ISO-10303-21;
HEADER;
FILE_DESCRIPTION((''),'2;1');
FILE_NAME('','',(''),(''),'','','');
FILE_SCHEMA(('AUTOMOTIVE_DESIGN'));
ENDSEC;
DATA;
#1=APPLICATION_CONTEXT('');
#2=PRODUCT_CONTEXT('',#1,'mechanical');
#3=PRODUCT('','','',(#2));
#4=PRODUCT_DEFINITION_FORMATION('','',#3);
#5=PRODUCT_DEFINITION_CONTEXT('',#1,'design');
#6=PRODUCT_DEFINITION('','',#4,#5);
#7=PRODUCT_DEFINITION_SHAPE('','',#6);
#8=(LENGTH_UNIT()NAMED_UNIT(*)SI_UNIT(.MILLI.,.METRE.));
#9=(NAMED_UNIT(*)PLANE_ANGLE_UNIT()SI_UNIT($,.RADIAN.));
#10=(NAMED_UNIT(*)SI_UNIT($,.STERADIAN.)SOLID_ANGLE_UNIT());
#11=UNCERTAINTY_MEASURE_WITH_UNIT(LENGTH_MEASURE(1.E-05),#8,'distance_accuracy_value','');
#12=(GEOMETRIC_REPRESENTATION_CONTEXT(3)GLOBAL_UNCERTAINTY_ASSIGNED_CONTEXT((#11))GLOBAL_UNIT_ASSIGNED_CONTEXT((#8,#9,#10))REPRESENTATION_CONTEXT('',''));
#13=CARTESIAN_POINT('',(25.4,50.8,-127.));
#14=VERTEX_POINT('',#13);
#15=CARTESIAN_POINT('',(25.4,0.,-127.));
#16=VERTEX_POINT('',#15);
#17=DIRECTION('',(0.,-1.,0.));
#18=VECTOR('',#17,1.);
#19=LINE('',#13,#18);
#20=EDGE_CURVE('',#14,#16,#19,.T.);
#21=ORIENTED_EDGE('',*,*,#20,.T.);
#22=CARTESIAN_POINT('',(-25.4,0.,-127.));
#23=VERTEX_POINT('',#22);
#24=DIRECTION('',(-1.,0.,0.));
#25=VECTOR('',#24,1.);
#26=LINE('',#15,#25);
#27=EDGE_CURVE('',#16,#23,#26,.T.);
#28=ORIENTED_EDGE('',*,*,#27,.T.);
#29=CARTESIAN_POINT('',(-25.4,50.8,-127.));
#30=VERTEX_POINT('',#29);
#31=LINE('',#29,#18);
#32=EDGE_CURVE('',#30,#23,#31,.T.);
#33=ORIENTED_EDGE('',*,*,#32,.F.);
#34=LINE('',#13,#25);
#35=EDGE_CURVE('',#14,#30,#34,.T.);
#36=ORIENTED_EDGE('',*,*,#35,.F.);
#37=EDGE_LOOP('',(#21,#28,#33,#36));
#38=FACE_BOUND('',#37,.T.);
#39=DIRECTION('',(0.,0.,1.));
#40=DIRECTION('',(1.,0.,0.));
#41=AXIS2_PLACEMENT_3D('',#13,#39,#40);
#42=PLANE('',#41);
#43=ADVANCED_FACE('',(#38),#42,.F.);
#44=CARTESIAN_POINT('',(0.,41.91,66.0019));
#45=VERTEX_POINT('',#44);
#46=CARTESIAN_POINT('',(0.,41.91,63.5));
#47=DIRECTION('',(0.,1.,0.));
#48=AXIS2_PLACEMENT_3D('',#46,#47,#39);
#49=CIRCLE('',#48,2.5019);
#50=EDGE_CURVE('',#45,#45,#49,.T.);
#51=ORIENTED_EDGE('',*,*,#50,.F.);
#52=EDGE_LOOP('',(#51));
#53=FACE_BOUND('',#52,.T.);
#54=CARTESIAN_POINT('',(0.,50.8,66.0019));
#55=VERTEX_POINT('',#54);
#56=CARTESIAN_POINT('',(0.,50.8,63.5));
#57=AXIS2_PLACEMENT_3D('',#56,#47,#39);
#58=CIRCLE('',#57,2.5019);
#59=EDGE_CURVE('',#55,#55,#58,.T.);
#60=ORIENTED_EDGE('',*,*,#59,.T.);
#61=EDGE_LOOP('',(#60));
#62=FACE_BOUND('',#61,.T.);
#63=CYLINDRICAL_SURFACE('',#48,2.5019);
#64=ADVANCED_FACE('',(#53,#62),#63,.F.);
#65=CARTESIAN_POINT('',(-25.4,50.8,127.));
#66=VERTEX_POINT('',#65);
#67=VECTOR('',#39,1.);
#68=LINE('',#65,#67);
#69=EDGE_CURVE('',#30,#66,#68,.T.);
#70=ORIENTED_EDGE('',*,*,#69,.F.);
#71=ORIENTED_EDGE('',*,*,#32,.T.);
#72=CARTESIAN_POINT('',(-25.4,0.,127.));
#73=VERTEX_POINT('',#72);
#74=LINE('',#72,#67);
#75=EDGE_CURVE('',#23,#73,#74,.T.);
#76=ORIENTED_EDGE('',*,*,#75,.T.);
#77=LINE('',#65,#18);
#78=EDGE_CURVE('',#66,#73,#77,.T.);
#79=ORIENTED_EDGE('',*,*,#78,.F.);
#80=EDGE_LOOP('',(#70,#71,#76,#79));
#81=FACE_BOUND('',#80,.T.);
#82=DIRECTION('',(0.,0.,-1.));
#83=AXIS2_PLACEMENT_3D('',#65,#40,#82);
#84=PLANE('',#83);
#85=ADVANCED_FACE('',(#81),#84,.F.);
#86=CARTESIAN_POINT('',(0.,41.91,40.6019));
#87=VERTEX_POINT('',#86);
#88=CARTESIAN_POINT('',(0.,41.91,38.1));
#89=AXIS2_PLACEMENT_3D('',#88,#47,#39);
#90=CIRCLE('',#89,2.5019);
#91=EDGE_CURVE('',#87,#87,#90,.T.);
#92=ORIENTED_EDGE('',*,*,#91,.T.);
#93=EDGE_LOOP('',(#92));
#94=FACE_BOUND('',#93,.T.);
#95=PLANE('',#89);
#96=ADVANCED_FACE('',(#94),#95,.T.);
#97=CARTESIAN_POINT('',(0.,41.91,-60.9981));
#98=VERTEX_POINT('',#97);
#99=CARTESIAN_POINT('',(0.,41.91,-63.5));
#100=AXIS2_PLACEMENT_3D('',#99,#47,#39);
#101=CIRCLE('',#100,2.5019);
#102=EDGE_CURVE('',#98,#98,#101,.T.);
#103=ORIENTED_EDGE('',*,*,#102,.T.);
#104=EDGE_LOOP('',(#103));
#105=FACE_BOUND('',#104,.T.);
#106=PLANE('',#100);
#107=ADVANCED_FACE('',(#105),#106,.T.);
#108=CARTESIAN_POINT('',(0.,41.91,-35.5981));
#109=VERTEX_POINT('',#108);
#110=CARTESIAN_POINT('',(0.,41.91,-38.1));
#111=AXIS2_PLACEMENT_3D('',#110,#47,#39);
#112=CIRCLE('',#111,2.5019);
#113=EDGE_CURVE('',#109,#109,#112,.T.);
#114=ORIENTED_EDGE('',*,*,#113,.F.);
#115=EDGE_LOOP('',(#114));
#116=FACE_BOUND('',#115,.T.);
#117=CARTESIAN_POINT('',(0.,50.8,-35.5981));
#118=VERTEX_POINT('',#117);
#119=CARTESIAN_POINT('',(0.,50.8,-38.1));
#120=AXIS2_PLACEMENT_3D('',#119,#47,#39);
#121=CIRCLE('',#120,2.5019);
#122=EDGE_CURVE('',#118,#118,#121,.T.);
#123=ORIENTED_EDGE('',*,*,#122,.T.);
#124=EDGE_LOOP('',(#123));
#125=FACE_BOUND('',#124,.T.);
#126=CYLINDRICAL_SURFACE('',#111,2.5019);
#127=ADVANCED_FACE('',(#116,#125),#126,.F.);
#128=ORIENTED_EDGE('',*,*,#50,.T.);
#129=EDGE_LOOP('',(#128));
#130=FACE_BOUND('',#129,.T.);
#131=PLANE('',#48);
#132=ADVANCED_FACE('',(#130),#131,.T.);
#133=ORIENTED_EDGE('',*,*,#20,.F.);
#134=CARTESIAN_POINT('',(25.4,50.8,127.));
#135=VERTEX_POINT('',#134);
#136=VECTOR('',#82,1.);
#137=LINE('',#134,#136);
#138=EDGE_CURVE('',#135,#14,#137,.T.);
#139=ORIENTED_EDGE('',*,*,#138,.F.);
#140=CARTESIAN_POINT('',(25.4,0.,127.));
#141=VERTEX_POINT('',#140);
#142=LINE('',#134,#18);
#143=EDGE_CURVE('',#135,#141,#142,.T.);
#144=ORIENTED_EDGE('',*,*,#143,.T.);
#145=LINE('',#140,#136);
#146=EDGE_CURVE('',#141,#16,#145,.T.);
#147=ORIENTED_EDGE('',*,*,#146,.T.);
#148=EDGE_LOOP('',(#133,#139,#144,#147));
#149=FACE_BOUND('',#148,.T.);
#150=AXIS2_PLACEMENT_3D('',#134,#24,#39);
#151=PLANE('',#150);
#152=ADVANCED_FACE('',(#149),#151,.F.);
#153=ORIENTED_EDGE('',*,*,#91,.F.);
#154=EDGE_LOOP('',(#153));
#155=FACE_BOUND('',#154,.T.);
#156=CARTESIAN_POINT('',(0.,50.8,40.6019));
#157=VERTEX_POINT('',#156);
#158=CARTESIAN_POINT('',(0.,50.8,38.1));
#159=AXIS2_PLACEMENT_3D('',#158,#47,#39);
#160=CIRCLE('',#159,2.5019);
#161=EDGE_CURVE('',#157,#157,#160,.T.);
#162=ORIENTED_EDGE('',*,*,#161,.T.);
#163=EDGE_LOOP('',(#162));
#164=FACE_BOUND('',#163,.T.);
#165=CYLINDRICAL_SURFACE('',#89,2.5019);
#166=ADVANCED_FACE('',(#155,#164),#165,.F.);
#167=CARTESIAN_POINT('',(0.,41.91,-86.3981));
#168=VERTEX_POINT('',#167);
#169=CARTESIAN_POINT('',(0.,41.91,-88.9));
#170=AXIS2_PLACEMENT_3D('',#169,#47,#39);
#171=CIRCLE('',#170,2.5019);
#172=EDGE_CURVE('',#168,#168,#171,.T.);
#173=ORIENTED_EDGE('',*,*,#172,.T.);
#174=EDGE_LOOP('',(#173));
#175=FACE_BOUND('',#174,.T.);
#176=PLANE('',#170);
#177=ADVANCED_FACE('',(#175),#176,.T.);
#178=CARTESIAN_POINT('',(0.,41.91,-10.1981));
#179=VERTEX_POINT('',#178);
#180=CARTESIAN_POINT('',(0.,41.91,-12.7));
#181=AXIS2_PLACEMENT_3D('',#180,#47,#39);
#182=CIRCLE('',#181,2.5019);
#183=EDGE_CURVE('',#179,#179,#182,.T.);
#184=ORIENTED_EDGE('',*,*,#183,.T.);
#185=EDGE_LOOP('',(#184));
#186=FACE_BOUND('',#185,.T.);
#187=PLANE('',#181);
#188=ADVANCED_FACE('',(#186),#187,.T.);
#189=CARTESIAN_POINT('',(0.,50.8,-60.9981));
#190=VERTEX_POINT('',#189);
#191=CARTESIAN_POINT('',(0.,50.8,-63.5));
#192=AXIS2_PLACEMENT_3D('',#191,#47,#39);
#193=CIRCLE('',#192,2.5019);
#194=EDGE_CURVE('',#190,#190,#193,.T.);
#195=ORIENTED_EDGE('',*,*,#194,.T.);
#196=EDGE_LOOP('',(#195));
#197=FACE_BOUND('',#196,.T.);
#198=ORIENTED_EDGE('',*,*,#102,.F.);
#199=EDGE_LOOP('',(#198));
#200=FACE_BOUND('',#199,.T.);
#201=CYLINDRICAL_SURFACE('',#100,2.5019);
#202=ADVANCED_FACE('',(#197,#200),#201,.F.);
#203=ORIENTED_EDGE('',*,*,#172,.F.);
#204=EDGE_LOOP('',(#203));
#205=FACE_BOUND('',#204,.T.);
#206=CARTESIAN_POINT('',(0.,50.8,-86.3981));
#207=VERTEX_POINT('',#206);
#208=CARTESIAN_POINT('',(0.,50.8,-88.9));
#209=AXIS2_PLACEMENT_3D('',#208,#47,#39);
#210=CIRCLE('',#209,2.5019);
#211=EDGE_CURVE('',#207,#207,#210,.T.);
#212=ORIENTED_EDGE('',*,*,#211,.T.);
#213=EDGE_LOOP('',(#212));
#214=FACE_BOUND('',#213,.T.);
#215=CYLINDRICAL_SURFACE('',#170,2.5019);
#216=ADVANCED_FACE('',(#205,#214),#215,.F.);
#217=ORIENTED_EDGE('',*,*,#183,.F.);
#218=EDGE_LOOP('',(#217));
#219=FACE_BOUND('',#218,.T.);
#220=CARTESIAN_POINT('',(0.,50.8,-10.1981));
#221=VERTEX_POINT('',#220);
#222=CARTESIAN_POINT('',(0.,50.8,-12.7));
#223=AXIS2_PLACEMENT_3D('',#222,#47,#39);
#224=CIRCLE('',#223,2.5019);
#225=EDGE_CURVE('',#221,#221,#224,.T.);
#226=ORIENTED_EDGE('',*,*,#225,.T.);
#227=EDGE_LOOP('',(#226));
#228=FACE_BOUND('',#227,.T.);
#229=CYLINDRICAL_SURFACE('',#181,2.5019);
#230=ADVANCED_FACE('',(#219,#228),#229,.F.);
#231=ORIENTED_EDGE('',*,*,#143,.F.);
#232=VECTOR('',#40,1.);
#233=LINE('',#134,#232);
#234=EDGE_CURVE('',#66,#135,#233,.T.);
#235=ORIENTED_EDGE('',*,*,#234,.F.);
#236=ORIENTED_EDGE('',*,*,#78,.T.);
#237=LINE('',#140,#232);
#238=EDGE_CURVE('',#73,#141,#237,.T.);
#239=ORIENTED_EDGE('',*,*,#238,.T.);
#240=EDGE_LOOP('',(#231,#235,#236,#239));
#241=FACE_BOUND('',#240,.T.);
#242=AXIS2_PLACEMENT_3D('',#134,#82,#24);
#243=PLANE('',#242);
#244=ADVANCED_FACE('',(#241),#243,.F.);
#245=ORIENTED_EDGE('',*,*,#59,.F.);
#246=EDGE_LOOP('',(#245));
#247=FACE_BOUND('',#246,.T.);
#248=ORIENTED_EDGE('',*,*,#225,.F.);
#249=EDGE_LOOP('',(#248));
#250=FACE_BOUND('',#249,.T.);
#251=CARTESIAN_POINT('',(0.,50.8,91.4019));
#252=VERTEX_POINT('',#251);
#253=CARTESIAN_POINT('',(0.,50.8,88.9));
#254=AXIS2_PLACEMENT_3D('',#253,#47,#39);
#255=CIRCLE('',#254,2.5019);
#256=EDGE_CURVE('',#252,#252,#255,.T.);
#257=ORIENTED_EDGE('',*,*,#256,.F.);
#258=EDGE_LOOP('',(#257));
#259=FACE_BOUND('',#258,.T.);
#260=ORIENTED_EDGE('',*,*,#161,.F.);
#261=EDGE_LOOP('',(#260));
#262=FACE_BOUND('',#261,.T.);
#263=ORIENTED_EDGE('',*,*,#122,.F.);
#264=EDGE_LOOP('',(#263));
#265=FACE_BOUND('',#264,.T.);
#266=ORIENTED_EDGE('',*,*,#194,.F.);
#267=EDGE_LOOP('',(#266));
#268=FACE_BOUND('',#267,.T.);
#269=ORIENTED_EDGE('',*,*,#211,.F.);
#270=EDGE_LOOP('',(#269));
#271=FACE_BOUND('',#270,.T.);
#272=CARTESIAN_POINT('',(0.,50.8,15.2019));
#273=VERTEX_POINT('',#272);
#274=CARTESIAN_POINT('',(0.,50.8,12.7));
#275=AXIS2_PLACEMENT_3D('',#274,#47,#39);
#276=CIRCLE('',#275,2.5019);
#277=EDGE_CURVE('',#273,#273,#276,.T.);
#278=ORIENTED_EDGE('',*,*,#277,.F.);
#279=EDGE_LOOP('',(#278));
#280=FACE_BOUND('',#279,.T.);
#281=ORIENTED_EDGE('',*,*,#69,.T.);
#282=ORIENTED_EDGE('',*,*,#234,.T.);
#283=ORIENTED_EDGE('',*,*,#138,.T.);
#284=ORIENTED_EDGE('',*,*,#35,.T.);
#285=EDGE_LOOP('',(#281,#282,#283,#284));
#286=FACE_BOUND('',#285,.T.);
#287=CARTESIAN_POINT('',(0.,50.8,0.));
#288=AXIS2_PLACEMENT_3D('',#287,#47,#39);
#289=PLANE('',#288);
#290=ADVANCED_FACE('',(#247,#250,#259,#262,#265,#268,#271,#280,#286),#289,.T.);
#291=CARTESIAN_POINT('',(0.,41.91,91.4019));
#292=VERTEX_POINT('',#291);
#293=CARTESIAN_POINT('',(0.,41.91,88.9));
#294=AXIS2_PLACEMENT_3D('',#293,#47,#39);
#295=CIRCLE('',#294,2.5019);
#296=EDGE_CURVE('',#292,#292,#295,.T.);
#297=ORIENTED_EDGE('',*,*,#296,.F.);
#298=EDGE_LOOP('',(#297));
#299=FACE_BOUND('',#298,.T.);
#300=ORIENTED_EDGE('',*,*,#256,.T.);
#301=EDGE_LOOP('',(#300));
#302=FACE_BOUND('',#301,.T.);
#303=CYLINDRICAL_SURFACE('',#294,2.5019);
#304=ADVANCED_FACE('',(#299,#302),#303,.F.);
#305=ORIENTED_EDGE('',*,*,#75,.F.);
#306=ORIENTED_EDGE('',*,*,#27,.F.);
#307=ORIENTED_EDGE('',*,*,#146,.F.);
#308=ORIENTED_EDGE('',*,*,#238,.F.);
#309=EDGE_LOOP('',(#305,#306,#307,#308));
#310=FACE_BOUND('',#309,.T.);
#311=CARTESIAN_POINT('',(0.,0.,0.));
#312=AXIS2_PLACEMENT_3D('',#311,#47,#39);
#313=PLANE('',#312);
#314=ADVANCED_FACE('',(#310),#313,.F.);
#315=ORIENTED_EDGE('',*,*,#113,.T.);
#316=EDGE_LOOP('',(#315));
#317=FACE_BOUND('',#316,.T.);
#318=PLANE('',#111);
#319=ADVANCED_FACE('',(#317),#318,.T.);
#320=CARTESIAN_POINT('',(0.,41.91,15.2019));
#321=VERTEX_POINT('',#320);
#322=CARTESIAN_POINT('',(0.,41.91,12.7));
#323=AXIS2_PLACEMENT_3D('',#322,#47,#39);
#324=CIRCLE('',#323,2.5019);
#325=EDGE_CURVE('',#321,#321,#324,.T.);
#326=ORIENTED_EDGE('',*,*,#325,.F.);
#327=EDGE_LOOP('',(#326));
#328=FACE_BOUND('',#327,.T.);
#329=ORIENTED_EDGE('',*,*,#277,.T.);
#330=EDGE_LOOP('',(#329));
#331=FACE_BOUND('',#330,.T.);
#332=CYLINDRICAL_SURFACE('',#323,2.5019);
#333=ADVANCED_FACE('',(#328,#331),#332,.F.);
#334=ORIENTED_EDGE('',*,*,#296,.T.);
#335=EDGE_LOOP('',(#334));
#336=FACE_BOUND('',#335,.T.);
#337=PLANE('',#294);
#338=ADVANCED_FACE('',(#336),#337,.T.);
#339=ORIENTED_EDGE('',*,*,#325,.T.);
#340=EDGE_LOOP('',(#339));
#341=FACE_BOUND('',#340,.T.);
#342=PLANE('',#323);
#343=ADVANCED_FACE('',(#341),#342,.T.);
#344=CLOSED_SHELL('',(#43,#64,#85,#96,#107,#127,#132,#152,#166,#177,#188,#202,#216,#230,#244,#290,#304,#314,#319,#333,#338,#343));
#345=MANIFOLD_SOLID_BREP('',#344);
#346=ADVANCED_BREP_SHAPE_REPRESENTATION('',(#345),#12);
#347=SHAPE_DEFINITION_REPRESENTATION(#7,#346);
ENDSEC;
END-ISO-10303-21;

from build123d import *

# Parameters (mm, degrees)
SKETCH1_W           = 50.8
SKETCH1_H           = 254
BOSS_EXTRUDE1_DEPTH = 50.8
SKETCH3_R           = 2.5019
CUT_EXTRUDE1_DEPTH  = 8.89


with BuildPart() as part:
    # Sketch1 → Boss-Extrude1 (new body)
    with BuildSketch(Plane(origin=(0, 0, 0), x_dir=(1, 0, 0), z_dir=(0, 1, 0))):
        Rectangle(SKETCH1_W, SKETCH1_H)
    extrude(amount=BOSS_EXTRUDE1_DEPTH)

    # Sketch3 → Cut-Extrude1 (cut)
    with BuildSketch(Plane(origin=(0, 50.8, 0), x_dir=(1, 0, 0), z_dir=(0, 1, 0))):
        with Locations((0, 88.9)):
            Circle(SKETCH3_R)
        with Locations((0, 63.5)):
            Circle(SKETCH3_R)
        with Locations((0, 38.1)):
            Circle(SKETCH3_R)
        with Locations((0, 12.7)):
            Circle(SKETCH3_R)
        with Locations((0, -12.7)):
            Circle(SKETCH3_R)
        with Locations((0, -38.1)):
            Circle(SKETCH3_R)
        with Locations((0, -63.5)):
            Circle(SKETCH3_R)
        with Locations((0, -88.9)):
            Circle(SKETCH3_R)
    extrude(amount=-CUT_EXTRUDE1_DEPTH, mode=Mode.SUBTRACT)


solid = part.part
